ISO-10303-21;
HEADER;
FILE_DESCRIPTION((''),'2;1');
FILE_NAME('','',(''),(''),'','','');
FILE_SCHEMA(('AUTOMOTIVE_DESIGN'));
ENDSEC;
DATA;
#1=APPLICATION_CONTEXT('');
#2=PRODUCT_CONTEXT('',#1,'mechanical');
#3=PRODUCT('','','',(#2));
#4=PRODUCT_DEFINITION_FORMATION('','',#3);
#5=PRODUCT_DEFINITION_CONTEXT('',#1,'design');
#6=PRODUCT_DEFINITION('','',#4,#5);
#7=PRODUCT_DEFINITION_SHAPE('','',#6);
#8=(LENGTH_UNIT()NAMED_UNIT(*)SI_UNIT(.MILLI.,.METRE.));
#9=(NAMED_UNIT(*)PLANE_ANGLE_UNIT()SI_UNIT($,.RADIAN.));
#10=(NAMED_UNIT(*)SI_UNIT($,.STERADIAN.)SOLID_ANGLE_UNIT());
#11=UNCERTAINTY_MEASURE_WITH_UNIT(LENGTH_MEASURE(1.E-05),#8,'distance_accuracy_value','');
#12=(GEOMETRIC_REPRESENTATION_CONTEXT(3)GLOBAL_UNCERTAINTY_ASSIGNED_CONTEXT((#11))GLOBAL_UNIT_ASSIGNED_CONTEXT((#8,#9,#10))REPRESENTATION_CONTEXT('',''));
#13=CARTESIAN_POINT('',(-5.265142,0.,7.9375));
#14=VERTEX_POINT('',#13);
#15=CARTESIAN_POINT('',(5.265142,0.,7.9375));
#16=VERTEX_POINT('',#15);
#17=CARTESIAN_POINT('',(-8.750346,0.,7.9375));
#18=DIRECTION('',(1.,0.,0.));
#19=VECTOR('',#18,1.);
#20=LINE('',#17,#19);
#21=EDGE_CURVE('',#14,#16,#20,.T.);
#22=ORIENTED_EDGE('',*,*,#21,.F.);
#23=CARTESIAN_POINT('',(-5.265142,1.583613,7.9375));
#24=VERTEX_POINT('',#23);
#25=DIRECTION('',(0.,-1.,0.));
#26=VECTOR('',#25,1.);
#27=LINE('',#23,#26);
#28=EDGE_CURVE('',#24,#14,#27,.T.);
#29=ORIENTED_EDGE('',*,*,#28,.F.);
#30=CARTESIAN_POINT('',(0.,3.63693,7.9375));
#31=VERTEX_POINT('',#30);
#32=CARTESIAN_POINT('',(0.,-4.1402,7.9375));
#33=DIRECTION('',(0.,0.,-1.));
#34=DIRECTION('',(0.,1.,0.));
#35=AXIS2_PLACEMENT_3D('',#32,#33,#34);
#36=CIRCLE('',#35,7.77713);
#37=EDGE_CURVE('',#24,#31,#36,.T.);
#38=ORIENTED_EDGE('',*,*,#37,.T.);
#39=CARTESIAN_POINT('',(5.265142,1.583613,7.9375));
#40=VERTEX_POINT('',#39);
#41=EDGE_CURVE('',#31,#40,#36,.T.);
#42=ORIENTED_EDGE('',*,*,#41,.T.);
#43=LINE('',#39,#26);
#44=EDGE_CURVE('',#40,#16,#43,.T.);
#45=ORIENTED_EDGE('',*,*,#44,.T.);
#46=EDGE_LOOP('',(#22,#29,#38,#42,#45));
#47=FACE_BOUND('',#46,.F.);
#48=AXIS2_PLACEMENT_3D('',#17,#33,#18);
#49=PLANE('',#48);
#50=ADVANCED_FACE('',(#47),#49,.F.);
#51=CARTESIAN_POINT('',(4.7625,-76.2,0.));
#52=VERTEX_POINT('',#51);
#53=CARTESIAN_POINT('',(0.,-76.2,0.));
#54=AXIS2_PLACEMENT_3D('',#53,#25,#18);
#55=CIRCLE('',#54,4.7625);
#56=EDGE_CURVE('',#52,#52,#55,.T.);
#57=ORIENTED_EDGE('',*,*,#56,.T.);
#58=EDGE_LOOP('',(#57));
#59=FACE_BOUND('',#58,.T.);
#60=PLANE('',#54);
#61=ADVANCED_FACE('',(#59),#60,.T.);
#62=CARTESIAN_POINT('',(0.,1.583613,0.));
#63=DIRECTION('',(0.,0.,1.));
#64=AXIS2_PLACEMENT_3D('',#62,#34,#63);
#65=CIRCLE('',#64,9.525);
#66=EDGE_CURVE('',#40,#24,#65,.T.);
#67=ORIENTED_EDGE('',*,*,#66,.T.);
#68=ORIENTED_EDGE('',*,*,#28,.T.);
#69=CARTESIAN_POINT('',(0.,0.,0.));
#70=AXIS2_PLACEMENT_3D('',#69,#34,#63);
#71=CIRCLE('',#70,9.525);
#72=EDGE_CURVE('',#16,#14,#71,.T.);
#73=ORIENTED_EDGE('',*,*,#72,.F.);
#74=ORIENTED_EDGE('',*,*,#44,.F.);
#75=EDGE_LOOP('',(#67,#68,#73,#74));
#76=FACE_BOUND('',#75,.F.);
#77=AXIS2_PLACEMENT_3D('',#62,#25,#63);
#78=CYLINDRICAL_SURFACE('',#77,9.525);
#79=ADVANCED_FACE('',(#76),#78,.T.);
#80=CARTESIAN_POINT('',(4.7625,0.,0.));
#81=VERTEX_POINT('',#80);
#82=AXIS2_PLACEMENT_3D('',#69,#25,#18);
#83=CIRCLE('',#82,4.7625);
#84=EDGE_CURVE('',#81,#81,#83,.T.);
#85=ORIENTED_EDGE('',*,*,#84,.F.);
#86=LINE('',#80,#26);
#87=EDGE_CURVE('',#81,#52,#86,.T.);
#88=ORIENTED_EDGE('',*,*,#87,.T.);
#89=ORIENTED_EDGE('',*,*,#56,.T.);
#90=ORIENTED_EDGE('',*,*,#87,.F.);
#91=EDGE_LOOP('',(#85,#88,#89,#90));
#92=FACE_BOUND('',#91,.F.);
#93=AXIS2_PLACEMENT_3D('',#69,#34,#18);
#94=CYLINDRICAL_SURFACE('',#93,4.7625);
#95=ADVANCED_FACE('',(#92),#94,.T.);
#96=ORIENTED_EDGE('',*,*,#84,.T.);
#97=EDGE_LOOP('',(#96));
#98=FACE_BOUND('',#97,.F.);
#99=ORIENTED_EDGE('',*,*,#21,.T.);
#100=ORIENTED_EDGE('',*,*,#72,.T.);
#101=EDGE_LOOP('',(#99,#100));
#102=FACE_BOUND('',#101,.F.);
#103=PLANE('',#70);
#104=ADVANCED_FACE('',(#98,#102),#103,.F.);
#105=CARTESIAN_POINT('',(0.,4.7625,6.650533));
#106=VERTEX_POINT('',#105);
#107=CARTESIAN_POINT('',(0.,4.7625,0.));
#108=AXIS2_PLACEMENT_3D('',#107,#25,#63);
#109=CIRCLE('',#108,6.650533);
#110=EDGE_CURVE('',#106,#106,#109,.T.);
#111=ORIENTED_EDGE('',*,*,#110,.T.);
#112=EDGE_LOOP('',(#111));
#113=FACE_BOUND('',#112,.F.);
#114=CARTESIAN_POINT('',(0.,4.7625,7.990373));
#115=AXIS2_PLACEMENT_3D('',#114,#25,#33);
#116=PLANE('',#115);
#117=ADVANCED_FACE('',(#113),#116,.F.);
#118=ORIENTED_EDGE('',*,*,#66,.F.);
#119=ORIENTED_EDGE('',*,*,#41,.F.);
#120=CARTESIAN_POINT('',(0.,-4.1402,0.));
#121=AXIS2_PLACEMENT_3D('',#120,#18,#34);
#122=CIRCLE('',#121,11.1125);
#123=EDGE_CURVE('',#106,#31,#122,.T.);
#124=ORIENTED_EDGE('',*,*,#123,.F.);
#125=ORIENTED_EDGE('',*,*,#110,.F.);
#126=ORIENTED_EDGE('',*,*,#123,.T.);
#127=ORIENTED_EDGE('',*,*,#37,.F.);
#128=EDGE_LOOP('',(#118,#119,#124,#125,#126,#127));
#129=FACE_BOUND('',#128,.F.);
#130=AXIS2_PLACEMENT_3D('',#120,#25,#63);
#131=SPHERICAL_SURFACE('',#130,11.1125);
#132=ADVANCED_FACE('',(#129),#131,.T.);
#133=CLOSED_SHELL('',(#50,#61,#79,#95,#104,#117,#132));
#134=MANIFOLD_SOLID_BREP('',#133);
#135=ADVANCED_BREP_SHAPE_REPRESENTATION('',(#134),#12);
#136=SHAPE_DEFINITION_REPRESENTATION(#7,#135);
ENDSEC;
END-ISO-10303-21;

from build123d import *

# Parameters (mm, degrees)
F0_R          = 4.7625
F1_DEPTH      = 76.2
F5_DEPTH      = 25.4
F5_DEPTH_BACK = 25.4
F7_DEPTH      = 25.4


with BuildPart() as f1:
    # F0 (on Front) → F1 (new body)
    with BuildSketch(Plane.XZ):
        Circle(F0_R)
    extrude(amount=F1_DEPTH)

    # F2 (on Right) → F3 (revolve)
    with BuildSketch(Plane.YZ):
        with BuildLine():
            Line((0, 9.525), (0, 0))
            Line((0, 0), (6.9723, 0))
            ThreePointArc((6.9723, 0), (5.5317575144, 5.4718273081), (1.5836126498, 9.525))
            Line((1.5836126498, 9.525), (0, 9.525))
        make_face()
    revolve(axis=Axis((0, 3.48615, 0), (0, 1, 0)))

    # F4 (on Right) → F5 (cut, two sides)
    with BuildSketch(Plane.YZ) as f5_sk:
        Polygon((4.7625, 7.9903732985), (4.7625, 0), (4.7625, -11.3777695224), (8.8222939521, -11.3777695224), (8.8222939521, 7.9903732985), align=None)
    extrude(amount=-F5_DEPTH, mode=Mode.SUBTRACT)
    extrude(f5_sk.sketch, amount=F5_DEPTH_BACK, mode=Mode.SUBTRACT)

    # F6 (on Front) → F7 (cut)
    with BuildSketch(Plane.XZ):
        Polygon((-8.7503455579, 7.9375), (0, 7.9375), (10.3095453233, 7.9375), (10.3095453233, 11.5658193827), (-8.7503455579, 11.5658193827), align=None)
    extrude(amount=-F7_DEPTH, mode=Mode.SUBTRACT)


solid = f1.part
